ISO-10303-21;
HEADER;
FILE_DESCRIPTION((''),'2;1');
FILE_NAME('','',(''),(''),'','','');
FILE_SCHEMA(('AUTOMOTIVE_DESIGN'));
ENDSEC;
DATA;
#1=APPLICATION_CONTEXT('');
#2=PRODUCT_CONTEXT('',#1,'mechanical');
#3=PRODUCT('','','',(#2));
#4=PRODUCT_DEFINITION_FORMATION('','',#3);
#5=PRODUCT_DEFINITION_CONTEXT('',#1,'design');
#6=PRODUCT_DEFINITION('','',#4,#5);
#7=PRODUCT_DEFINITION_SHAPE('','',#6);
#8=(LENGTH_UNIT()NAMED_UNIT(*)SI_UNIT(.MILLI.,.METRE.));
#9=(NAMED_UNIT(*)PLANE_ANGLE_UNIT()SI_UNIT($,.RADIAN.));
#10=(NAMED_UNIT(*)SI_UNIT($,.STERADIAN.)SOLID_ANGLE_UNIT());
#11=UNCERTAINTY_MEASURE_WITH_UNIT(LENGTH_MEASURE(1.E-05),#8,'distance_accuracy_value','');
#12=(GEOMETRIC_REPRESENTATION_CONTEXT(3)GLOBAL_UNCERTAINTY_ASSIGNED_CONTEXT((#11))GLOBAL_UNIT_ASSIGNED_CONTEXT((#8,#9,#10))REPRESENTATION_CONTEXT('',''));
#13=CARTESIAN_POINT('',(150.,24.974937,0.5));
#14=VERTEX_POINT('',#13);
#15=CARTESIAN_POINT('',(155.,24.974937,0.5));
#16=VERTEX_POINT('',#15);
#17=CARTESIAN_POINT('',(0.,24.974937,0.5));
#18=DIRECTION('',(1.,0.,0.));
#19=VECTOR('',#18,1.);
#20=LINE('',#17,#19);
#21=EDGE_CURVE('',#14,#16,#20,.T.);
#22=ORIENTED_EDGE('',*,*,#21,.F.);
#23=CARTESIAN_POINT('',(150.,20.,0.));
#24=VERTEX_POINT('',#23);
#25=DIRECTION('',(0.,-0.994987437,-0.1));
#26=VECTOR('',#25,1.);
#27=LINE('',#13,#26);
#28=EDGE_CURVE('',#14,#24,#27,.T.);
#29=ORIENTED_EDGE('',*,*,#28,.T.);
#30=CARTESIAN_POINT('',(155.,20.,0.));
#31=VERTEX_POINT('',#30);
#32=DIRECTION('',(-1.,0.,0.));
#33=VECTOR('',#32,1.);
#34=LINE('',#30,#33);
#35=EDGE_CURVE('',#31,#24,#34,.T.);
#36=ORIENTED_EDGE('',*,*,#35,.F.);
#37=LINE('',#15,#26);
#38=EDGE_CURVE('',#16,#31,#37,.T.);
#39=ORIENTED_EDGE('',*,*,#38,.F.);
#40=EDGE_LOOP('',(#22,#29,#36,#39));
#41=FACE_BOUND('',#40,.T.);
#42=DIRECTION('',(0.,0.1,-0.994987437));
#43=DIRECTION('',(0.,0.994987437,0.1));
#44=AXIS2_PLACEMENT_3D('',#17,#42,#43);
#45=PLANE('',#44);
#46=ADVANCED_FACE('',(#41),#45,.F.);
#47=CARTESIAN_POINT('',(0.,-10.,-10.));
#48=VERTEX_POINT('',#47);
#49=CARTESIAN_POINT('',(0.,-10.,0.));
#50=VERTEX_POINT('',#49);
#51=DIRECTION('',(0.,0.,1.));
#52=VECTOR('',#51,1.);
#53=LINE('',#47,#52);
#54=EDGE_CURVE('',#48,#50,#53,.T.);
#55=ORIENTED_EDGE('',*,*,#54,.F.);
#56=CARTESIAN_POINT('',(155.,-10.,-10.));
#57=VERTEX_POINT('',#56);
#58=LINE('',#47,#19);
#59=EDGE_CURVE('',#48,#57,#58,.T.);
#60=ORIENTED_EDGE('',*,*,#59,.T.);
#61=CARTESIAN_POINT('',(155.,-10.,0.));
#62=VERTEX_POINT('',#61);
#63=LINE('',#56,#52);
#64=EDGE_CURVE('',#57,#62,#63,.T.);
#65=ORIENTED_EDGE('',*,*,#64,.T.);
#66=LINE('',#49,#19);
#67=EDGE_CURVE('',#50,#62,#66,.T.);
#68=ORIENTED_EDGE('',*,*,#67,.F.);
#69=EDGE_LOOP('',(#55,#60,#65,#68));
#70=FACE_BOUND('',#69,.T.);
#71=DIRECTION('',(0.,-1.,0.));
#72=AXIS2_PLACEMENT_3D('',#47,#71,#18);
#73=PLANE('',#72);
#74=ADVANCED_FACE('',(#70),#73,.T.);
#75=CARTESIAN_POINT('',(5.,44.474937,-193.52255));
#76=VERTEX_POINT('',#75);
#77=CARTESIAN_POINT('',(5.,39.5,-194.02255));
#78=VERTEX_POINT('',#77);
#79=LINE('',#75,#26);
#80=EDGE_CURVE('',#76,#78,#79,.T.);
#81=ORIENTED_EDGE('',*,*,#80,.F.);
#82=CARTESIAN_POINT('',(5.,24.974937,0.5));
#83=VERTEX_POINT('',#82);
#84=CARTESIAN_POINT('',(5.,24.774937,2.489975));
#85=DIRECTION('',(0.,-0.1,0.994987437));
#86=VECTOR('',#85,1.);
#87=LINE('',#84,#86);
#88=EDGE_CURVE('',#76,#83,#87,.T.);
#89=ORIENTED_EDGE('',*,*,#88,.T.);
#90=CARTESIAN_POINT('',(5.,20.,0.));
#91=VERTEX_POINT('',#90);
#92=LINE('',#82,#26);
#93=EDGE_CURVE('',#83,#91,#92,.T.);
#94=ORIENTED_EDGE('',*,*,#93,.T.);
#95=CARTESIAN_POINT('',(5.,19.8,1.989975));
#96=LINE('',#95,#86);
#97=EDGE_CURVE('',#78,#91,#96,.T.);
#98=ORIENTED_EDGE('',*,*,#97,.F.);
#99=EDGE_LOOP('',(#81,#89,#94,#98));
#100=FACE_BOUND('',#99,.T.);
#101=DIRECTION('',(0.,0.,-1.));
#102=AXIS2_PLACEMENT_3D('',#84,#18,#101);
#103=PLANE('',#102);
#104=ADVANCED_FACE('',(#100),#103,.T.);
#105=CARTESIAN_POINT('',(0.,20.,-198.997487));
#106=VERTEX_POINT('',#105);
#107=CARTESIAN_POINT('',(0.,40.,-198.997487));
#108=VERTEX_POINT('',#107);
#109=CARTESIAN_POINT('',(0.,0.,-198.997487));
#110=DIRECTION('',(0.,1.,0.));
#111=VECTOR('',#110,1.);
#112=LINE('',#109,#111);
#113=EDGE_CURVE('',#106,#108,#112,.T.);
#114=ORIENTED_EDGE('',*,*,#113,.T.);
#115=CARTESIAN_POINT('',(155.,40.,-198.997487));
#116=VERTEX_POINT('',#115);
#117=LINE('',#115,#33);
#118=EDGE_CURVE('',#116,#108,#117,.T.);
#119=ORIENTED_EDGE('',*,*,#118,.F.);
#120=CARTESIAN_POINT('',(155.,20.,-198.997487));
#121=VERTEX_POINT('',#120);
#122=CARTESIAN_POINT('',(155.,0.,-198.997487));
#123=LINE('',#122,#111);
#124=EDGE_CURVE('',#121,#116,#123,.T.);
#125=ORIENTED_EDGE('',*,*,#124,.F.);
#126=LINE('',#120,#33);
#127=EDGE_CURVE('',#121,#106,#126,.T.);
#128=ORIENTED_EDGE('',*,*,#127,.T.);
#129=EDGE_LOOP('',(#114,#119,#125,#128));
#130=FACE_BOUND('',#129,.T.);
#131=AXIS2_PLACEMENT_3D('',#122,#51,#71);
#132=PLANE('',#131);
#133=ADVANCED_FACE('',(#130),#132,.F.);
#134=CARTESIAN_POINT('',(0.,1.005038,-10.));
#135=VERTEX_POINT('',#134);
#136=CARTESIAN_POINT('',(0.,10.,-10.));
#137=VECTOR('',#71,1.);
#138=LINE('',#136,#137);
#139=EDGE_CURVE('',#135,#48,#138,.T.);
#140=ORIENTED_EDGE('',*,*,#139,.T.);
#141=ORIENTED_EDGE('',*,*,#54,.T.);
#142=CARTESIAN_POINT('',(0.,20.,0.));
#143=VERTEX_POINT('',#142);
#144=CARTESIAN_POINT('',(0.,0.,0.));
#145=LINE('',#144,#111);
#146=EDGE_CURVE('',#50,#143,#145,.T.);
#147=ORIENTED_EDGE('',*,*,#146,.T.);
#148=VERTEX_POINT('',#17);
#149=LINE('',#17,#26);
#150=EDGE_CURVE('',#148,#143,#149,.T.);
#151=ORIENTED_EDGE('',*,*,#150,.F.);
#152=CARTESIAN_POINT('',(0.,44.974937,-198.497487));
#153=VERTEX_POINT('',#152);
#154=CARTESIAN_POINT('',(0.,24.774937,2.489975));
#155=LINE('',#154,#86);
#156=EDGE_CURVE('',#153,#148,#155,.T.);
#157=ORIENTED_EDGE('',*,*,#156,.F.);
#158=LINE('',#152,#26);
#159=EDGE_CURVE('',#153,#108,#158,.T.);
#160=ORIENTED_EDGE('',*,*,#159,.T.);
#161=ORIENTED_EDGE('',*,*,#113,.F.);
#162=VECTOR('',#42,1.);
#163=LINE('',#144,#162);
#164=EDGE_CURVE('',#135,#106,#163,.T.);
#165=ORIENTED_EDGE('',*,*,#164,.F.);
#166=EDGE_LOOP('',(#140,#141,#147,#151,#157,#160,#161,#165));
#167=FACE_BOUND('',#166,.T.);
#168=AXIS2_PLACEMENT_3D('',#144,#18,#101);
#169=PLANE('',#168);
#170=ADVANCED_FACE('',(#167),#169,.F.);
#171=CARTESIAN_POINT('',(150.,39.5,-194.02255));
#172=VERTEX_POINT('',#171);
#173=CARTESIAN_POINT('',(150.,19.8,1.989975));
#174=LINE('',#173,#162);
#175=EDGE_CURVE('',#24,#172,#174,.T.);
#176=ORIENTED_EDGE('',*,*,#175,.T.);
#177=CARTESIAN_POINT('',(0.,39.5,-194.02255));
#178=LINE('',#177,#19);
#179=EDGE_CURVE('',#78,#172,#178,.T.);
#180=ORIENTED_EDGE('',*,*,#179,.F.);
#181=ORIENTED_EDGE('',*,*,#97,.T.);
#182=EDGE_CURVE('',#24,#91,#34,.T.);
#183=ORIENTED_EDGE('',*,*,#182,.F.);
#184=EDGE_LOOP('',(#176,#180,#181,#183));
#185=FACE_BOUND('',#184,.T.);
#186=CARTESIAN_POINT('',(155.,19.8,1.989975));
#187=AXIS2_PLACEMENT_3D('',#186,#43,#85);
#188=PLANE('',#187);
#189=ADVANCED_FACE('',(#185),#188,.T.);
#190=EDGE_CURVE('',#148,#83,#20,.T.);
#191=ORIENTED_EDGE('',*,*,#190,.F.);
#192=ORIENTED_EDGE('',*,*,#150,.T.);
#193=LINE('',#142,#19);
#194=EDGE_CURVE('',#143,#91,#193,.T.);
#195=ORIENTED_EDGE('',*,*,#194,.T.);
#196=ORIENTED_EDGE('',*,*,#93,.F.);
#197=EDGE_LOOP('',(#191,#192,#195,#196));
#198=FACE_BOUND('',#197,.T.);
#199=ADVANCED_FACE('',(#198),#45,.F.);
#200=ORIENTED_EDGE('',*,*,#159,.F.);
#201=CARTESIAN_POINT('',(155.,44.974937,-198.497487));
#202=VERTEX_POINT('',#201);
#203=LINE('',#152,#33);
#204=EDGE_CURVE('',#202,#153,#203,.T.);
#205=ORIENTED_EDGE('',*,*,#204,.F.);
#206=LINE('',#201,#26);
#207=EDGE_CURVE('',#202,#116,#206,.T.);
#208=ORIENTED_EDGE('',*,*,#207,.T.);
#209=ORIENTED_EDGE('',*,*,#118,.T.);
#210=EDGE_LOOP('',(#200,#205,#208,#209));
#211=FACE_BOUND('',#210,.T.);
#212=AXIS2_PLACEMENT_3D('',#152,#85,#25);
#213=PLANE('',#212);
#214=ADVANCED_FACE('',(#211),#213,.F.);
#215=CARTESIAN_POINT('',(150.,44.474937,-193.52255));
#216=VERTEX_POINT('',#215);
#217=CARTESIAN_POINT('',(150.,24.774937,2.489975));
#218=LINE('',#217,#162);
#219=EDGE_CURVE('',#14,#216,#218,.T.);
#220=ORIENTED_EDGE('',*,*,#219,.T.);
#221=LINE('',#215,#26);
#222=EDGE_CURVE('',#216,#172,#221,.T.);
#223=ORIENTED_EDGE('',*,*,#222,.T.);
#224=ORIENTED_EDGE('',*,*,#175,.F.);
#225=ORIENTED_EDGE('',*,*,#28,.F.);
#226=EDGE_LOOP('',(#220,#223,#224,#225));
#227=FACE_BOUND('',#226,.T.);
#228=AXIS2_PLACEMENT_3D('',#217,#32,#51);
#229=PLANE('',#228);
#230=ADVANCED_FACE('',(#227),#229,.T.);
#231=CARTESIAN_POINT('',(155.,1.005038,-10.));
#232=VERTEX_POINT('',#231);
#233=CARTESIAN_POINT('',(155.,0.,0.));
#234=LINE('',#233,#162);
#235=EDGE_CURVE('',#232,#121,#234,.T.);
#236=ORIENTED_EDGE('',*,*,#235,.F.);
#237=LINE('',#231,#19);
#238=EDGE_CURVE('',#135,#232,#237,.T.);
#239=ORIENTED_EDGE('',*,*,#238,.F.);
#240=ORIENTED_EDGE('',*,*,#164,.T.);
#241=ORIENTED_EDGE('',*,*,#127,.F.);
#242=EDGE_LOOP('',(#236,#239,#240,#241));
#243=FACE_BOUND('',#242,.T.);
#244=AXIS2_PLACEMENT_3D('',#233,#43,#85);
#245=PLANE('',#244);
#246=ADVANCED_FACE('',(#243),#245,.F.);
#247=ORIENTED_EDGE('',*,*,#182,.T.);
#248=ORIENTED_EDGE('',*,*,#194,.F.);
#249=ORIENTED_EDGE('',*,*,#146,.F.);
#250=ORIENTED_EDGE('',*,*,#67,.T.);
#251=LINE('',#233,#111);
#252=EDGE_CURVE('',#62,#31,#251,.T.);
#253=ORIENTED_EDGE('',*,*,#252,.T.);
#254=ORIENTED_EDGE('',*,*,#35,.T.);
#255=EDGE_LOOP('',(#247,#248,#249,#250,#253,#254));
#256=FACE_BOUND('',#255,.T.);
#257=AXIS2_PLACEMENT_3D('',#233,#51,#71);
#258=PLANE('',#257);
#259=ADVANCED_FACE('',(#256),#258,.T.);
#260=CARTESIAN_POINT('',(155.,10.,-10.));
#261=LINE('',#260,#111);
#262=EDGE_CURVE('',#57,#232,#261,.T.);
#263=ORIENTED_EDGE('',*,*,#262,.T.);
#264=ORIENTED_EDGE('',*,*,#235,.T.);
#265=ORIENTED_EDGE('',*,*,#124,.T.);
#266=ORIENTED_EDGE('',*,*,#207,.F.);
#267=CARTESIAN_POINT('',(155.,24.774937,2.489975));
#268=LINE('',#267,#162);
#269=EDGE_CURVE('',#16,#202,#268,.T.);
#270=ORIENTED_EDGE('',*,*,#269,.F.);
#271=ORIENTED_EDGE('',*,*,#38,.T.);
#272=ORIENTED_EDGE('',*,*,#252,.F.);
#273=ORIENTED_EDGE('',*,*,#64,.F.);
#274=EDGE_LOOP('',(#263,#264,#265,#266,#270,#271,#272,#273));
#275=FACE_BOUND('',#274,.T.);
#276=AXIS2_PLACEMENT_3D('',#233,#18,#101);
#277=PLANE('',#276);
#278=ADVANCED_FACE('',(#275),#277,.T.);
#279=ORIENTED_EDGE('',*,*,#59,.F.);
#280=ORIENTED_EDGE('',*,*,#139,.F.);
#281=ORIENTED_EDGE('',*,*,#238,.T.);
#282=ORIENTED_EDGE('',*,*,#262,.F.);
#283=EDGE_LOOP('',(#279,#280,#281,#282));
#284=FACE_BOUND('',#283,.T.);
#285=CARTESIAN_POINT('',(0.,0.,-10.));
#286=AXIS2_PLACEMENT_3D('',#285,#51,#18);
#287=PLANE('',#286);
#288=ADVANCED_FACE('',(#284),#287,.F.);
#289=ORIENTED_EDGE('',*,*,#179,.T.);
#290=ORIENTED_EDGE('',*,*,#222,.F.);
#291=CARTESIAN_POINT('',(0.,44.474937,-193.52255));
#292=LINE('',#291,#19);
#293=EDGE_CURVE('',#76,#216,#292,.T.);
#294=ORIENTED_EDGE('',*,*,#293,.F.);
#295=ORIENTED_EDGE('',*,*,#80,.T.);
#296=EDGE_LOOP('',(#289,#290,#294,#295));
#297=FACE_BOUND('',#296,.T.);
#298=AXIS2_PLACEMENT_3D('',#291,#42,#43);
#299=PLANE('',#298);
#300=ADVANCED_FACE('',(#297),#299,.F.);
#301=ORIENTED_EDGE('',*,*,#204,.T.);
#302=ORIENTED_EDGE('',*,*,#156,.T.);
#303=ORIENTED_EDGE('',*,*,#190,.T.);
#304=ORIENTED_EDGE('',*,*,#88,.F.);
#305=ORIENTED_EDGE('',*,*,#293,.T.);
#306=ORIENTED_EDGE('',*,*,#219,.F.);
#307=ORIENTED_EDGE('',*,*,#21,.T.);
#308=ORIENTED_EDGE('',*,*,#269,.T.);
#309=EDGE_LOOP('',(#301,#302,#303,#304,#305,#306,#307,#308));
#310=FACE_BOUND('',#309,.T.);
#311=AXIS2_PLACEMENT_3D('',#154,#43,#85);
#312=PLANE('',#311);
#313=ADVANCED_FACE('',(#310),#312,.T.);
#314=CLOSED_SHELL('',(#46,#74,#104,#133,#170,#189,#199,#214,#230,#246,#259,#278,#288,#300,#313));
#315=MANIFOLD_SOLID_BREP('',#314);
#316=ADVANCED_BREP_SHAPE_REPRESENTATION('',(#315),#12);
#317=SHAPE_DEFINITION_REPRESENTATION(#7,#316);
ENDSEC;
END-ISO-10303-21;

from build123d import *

# Parameters (mm, degrees)
BOSS_EXTRUDE1_DEPTH = 155
SKETCH7_W           = 155
SKETCH7_H           = 20
BOSS_EXTRUDE4_DEPTH = 10
SKETCH8_W           = 145
SKETCH8_H           = 5
BOSS_EXTRUDE5_DEPTH = 5


with BuildPart() as part:
    # Sketch4 → Boss-Extrude1 (new body)
    with BuildSketch(Plane(origin=(0, 0, 0), x_dir=(0, 0, -1), z_dir=(1, 0, 0))):
        Polygon((0, 0), (0, 20), (198.997487421, 40), (198.997487421, 20), align=None)
    extrude(amount=BOSS_EXTRUDE1_DEPTH)

    # Sketch7 → Boss-Extrude4 (add)
    with BuildSketch(Plane.XY):
        with Locations((77.5, 0)):
            Rectangle(SKETCH7_W, SKETCH7_H)
    extrude(amount=-BOSS_EXTRUDE4_DEPTH)

    # Sketch8 → Boss-Extrude5 (add)
    with BuildSketch(Plane(origin=(0, 19.8, 1.989974874), x_dir=(1, 0, 0), z_dir=(0, 0.994987437, 0.1))):
        Polygon((5, 202), (0, 202), (0, 2), (5, 2), (5, 197), align=None)
        with Locations((77.5, 199.5)):
            Rectangle(SKETCH8_W, SKETCH8_H)
        Polygon((155, 202), (150, 202), (150, 197), (150, 2), (155, 2), align=None)
    extrude(amount=BOSS_EXTRUDE5_DEPTH)


solid = part.part
